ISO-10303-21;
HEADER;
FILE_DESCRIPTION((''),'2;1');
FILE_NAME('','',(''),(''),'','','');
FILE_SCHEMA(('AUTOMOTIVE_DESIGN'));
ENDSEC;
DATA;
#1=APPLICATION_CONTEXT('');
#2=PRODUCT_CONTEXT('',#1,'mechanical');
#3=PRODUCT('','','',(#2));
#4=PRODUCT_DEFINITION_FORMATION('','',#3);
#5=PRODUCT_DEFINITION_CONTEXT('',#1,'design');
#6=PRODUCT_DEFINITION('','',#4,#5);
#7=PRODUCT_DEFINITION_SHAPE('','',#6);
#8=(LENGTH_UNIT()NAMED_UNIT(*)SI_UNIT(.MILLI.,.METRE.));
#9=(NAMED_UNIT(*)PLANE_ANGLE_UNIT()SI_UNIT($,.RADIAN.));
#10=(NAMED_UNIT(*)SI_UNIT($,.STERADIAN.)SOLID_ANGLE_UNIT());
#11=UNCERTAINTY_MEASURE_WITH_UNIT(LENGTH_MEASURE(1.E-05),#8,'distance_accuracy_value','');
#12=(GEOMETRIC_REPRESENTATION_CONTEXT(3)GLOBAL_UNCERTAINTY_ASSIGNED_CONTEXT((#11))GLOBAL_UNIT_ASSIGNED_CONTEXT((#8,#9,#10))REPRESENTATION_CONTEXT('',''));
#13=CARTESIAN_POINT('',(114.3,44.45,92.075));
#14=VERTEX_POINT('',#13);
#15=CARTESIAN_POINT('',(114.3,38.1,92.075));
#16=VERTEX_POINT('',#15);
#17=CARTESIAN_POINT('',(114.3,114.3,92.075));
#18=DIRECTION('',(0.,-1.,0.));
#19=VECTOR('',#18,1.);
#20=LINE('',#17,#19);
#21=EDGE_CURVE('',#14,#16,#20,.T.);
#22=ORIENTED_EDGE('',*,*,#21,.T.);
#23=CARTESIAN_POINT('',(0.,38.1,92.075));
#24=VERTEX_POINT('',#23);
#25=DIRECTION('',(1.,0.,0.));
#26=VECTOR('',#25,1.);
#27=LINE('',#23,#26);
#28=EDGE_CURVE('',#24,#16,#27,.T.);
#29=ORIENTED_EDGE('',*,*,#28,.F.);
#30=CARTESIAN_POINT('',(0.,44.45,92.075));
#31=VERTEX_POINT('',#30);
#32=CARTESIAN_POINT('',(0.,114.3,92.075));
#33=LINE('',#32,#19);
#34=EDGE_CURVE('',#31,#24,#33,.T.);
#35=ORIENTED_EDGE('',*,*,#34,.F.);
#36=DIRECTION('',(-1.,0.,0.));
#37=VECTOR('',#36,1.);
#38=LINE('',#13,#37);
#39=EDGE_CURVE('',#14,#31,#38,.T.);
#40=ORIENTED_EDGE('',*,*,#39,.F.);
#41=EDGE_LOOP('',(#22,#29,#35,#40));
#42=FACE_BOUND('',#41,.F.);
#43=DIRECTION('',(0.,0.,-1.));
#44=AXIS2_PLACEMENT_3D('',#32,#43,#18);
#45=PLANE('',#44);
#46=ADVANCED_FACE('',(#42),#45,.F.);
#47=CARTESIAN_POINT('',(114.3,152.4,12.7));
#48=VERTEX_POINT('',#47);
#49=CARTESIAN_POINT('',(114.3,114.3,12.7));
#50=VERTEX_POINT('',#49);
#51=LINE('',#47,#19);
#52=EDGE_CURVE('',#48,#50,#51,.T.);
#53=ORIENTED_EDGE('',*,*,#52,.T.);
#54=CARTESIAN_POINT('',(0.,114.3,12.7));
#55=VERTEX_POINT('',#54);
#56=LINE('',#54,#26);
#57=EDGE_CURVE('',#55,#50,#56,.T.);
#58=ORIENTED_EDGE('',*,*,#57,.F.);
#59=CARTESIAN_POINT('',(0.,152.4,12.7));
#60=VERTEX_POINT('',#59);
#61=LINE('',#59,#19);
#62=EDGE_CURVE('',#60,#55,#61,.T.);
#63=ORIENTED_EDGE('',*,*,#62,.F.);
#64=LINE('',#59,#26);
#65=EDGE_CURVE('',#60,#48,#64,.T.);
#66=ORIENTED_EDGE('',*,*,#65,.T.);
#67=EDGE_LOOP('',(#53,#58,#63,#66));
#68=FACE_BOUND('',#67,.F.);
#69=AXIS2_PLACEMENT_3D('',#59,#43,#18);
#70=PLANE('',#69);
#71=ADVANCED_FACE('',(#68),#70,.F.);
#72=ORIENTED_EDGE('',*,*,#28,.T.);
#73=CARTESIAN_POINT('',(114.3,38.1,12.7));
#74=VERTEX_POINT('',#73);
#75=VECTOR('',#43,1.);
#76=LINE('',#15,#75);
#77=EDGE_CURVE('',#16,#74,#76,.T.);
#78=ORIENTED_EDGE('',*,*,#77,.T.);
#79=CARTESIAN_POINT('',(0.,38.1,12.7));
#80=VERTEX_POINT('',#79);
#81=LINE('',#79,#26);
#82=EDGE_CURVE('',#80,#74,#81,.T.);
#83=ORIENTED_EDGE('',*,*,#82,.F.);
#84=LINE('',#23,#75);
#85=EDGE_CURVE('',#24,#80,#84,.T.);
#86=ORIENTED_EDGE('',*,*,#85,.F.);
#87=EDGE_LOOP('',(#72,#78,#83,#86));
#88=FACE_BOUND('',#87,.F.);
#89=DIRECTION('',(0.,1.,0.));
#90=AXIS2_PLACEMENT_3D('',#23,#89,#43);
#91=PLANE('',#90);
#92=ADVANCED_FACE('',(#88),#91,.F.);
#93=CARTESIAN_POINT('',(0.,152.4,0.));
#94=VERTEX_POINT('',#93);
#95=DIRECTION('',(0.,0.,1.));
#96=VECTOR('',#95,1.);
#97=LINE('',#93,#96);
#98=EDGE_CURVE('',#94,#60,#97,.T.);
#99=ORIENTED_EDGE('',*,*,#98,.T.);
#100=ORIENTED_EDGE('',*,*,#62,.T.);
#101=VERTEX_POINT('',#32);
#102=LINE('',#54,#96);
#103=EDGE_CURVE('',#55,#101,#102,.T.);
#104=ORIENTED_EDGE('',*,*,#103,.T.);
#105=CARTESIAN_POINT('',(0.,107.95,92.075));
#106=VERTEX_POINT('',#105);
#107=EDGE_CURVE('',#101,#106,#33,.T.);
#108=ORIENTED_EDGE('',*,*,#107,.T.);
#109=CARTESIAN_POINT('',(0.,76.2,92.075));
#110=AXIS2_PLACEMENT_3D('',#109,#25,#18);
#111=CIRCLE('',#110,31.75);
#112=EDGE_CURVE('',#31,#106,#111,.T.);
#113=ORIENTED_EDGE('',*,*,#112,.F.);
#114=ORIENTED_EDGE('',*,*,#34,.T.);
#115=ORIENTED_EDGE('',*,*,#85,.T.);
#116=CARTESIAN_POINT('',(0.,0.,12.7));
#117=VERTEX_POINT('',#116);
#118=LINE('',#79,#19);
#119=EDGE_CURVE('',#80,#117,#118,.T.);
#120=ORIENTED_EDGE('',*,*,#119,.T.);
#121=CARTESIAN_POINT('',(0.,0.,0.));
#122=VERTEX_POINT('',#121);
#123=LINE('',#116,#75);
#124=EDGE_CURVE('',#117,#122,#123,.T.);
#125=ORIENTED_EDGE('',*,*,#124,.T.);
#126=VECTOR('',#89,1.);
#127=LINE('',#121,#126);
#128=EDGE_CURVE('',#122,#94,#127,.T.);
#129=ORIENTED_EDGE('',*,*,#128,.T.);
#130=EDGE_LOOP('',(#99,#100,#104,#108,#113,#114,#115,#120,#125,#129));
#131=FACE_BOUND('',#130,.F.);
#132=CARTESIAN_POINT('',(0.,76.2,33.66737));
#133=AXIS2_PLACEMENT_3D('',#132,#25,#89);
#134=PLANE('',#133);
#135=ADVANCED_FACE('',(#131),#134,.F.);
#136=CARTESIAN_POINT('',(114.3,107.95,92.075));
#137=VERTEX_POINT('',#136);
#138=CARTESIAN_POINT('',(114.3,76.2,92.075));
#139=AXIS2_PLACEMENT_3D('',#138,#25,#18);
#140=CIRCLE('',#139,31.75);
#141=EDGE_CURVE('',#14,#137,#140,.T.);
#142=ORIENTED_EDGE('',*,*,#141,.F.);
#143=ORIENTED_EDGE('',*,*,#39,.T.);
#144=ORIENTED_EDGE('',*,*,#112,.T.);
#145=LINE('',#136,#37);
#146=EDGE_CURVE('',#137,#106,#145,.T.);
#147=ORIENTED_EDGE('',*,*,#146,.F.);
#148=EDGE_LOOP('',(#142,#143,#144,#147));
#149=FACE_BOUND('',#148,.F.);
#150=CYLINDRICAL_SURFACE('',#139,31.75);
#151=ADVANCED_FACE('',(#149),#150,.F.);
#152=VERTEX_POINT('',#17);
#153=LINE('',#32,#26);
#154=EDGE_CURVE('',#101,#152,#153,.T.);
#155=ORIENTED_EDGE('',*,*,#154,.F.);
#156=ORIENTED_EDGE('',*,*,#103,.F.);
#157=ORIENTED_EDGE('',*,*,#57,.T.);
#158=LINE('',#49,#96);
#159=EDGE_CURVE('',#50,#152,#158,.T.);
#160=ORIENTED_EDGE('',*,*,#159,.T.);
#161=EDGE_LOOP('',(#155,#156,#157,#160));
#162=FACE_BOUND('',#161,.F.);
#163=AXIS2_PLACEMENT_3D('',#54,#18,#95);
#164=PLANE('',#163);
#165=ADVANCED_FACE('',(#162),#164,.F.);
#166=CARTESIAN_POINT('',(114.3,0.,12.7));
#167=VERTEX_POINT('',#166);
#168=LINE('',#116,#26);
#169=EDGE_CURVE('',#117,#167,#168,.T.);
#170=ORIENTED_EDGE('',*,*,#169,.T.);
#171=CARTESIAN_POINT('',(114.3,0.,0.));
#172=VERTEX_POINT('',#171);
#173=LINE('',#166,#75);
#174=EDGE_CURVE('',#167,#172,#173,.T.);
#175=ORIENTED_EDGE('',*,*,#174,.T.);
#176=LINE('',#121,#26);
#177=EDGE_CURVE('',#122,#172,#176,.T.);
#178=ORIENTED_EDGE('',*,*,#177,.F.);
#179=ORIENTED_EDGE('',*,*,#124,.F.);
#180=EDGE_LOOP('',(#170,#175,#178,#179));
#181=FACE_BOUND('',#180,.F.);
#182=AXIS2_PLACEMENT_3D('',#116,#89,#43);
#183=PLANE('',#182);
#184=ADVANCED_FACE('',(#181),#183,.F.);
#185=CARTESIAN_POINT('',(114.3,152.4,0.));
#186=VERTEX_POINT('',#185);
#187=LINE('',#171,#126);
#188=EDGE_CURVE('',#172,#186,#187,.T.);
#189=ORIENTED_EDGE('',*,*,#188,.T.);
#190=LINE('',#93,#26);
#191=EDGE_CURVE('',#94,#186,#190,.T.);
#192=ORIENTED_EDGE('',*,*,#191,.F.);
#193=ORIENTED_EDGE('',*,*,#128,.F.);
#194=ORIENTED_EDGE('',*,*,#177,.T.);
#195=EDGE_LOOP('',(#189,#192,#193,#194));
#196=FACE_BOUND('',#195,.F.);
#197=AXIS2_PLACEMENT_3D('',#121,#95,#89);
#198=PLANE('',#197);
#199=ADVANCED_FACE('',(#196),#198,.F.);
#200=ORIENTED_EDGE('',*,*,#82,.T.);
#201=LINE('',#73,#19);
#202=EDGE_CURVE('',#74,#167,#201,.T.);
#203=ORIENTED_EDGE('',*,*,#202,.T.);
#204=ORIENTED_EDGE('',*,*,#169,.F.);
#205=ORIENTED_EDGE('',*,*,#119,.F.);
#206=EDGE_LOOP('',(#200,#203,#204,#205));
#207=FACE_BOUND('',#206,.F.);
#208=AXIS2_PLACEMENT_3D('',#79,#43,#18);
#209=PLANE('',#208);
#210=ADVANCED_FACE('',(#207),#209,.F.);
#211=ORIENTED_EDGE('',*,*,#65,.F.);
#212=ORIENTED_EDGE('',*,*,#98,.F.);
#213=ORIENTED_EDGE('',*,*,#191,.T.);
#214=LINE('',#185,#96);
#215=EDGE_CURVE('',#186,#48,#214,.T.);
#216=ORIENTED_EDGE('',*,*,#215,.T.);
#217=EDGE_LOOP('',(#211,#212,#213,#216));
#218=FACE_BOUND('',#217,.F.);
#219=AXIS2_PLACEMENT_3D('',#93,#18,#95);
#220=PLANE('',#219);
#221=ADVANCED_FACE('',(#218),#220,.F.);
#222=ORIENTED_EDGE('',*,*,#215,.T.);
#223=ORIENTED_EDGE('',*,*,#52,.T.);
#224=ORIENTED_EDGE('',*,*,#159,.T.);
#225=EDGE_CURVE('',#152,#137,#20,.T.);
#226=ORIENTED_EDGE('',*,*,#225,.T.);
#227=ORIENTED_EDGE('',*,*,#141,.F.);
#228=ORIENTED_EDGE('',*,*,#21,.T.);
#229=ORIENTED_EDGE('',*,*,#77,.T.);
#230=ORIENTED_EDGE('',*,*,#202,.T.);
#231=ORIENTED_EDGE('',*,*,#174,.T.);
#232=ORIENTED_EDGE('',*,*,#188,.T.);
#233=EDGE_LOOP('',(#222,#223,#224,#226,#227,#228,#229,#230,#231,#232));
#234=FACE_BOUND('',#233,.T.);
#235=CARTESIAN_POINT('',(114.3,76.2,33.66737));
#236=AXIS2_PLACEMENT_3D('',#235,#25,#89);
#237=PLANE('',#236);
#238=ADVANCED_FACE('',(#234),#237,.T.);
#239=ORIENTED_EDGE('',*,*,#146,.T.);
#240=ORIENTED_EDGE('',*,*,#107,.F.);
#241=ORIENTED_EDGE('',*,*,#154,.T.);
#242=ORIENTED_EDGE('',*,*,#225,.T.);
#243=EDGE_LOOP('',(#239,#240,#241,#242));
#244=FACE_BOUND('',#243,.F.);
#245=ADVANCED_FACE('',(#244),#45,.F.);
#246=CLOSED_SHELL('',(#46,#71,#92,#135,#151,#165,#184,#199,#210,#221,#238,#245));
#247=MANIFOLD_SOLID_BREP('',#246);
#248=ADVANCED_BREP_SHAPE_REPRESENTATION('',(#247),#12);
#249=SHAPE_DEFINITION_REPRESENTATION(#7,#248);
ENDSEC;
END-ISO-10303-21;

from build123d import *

# Parameters (mm, degrees)
F1_DEPTH = 114.3
F3_DEPTH = 114.301


with BuildPart() as f1:
    # F0 (on Right) → F1 (new body)
    with BuildSketch(Plane.YZ):
        Polygon((0, 12.7), (0, 0), (152.4, 0), (152.4, 12.7), (114.3, 12.7), (114.3, 92.075), (38.1, 92.075), (38.1, 12.7), align=None)
    extrude(amount=F1_DEPTH)

    # F2 (on face) → F3 (cut, through all)
    with BuildSketch(Plane.YZ.offset(114.3)):
        with BuildLine():
            ThreePointArc((44.45, 92.075), (76.2, 60.325), (107.95, 92.075))
            Line((107.95, 92.075), (44.45, 92.075))
        make_face()
    extrude(amount=-F3_DEPTH, mode=Mode.SUBTRACT)


solid = f1.part
